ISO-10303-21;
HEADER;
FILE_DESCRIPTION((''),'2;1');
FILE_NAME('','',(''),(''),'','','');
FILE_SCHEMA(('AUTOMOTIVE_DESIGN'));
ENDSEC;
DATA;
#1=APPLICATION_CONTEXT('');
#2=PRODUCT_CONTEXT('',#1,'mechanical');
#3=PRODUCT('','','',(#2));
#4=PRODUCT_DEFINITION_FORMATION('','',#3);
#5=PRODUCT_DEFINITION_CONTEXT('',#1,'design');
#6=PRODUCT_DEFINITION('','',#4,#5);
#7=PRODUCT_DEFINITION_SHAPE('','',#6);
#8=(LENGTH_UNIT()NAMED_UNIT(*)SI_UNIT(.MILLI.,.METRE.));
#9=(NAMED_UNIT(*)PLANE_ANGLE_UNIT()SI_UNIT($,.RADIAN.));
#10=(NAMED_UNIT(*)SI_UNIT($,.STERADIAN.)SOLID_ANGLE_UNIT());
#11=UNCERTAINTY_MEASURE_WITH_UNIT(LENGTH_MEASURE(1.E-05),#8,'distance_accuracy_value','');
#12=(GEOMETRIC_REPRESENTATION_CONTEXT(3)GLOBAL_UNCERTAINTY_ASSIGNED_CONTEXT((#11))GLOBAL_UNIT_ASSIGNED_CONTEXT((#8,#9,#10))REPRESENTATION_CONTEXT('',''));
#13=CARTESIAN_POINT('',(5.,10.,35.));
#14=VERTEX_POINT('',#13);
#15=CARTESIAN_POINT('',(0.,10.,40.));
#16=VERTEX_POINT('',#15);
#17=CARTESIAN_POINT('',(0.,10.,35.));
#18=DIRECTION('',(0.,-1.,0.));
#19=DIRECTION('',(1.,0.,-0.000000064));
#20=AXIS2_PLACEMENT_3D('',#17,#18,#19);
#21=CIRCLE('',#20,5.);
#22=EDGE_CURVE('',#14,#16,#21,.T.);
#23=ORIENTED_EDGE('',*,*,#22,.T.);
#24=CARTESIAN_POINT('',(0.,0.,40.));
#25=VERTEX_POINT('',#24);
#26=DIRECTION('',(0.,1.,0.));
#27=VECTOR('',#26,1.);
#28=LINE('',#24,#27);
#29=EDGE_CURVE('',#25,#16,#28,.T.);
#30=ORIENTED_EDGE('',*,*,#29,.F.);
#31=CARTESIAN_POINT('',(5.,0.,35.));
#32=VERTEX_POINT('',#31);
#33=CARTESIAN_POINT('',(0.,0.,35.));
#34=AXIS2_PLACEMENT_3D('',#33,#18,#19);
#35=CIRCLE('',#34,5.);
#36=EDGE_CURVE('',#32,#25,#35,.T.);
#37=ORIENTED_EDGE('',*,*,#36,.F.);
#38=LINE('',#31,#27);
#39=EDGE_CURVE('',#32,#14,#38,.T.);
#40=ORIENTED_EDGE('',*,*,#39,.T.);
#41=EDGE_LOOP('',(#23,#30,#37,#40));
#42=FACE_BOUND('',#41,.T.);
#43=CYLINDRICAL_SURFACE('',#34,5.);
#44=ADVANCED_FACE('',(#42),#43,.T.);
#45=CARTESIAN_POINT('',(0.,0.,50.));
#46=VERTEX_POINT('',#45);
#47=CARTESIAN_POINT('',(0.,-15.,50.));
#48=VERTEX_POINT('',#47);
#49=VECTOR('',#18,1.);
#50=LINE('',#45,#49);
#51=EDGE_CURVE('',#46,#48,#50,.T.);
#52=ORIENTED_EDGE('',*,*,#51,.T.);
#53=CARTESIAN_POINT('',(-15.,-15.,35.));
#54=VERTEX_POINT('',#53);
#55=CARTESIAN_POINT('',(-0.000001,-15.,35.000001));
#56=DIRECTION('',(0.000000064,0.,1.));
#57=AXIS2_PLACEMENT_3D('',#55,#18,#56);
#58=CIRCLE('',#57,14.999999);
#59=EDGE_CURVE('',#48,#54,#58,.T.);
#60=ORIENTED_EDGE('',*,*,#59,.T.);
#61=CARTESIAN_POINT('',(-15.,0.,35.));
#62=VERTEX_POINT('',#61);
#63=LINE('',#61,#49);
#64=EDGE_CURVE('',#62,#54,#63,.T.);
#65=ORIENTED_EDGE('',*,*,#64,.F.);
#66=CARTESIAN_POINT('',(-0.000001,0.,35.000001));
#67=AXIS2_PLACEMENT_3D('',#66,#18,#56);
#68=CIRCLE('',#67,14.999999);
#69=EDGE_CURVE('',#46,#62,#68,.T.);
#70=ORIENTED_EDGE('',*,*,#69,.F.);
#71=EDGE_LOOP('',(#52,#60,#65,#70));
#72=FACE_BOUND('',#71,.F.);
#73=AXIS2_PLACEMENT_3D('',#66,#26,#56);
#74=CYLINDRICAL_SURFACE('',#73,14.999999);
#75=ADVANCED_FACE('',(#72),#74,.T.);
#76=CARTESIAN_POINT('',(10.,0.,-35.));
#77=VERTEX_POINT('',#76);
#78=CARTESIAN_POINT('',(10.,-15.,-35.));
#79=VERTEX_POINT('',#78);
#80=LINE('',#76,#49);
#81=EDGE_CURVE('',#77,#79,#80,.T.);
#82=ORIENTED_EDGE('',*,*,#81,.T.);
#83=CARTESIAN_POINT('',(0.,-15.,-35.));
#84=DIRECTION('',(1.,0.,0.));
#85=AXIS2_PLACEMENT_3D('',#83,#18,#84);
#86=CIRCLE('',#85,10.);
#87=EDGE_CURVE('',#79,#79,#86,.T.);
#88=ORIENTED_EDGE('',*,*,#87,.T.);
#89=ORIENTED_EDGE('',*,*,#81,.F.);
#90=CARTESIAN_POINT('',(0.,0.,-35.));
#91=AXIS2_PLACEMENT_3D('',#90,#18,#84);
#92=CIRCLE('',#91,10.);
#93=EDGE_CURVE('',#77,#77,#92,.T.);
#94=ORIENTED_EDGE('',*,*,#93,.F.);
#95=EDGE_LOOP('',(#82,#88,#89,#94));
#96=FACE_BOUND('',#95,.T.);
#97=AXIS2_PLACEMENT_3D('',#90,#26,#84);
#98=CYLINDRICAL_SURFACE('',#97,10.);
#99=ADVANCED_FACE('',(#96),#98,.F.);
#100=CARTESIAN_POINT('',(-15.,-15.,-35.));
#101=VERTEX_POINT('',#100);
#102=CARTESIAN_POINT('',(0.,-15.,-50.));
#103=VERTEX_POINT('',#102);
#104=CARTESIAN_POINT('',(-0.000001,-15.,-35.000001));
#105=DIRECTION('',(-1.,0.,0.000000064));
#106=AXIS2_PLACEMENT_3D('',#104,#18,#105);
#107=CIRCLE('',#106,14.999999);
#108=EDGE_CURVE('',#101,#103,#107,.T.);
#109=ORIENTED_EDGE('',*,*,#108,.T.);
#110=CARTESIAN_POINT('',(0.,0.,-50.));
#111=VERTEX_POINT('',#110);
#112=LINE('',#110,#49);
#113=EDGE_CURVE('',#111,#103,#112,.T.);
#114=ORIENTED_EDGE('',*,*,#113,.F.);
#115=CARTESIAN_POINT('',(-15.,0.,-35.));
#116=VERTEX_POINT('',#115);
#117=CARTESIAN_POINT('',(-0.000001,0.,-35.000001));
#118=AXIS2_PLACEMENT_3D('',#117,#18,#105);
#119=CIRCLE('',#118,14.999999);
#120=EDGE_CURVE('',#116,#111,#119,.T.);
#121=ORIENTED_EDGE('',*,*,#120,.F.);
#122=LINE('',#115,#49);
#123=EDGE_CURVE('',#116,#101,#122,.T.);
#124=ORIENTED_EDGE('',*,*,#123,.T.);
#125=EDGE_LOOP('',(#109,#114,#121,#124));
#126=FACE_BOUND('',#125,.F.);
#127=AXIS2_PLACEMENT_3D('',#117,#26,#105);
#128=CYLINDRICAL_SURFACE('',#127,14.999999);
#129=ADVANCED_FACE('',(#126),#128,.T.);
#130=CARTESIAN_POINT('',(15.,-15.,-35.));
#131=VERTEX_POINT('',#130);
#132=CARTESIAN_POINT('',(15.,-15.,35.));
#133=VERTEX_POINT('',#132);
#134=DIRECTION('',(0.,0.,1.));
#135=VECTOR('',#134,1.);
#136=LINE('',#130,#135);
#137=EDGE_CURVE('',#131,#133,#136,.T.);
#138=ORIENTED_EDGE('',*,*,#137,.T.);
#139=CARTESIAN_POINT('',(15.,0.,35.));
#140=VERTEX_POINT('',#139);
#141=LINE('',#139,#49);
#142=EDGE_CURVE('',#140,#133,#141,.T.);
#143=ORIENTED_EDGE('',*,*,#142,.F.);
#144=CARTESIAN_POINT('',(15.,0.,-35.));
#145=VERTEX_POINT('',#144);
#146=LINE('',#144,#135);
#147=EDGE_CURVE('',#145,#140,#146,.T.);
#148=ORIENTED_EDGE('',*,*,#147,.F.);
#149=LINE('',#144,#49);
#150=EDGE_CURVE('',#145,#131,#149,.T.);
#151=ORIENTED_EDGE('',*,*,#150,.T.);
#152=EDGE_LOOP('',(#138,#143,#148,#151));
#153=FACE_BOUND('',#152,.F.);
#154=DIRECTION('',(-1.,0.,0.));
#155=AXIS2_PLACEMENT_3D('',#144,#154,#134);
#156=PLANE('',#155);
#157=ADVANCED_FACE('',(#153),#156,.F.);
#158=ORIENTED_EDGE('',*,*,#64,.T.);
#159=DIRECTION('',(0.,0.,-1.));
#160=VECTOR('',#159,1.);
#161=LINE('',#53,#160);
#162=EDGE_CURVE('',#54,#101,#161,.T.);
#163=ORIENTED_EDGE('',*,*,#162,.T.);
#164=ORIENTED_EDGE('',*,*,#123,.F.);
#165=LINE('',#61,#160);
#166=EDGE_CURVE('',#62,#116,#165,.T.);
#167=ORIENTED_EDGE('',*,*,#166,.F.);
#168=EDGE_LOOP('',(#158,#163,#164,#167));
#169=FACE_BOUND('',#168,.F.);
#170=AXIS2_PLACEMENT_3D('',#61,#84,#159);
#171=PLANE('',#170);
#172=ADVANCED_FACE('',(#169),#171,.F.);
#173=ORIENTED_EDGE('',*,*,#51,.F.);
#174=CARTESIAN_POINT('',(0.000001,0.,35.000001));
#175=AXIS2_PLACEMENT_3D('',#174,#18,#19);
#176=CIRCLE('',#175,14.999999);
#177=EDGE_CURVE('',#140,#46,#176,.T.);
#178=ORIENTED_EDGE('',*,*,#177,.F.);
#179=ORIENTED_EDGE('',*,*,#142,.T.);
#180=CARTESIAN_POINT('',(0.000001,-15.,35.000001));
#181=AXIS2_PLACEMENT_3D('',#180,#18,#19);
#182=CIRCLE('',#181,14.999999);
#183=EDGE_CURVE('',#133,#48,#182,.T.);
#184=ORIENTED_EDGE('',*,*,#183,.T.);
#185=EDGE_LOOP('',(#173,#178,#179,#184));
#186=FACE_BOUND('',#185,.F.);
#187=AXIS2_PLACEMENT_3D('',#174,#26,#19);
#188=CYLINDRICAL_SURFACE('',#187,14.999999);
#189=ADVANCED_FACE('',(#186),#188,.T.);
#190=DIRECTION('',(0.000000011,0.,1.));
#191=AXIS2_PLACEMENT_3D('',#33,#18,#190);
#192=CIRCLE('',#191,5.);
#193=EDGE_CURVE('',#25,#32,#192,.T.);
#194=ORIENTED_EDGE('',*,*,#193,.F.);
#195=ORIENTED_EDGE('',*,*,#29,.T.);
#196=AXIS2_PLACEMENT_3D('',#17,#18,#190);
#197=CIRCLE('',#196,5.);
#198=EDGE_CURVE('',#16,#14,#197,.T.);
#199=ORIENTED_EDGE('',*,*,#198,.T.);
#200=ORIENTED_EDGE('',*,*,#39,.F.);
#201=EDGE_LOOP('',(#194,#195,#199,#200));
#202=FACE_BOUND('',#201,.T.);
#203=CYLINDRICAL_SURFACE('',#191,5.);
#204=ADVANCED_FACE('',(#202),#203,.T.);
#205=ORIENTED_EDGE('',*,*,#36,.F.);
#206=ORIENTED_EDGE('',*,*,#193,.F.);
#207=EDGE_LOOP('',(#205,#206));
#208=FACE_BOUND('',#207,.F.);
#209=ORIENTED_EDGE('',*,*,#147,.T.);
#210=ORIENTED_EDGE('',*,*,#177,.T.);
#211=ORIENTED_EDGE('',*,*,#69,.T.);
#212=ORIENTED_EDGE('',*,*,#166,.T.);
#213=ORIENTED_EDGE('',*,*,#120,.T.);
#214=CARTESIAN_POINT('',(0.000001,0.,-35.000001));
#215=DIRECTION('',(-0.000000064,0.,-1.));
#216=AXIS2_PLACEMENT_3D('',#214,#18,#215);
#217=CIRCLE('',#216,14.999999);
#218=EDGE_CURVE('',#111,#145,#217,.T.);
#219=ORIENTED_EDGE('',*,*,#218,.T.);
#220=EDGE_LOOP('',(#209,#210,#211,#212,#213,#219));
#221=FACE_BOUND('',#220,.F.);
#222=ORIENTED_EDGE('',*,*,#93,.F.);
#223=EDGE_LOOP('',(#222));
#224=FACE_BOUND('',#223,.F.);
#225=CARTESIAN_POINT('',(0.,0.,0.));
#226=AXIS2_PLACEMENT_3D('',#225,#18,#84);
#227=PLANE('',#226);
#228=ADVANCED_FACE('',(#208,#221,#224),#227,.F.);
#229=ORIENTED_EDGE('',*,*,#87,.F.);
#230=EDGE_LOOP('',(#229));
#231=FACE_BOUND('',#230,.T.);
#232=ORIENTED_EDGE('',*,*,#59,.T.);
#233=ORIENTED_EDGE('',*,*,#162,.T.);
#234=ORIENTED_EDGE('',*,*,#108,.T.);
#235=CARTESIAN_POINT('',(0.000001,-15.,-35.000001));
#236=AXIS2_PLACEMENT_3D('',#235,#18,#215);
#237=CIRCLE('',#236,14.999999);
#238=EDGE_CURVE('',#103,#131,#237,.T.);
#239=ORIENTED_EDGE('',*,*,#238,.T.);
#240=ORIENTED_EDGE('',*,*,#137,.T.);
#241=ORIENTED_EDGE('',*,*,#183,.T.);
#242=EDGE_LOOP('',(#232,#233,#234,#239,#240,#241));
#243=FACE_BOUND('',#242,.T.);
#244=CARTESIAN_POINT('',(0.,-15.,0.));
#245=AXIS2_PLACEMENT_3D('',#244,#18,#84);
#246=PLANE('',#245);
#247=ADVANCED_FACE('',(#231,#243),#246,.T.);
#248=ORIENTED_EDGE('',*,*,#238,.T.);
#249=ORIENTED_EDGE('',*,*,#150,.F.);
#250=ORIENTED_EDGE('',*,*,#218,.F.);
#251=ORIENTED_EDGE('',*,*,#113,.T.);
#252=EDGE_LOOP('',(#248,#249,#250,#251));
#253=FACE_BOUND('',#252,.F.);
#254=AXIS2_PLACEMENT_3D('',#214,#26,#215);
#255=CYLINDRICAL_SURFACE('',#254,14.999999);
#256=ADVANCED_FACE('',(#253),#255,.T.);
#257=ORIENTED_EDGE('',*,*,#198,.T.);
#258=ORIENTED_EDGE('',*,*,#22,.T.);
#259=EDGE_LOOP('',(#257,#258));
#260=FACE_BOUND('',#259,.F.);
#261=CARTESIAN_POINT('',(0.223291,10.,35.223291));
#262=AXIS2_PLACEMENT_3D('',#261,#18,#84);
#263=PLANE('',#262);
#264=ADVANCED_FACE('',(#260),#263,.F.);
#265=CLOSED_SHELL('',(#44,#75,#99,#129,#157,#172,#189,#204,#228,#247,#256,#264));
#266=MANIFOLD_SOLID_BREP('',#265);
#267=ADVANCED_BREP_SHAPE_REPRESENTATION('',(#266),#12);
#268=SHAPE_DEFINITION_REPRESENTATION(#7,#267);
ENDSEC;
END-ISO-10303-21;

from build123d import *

# Parameters (mm, degrees)
F0_R     = 10
F1_DEPTH = 15
F3_DEPTH = 10


with BuildPart() as f1:
    # F0 (on Front) → F1 (new body)
    with BuildSketch(Plane.XZ):
        with BuildLine():
            ThreePointArc((0, -50), (10.606602, -45.606602), (15, -35))
            Line((15, -35), (15, 35))
            ThreePointArc((15, 35), (10.606602, 45.606602), (0, 50))
            ThreePointArc((0, 50), (-10.606602, 45.606602), (-15, 35))
            Line((-15, 35), (-15, -35))
            ThreePointArc((-15, -35), (-10.606602, -45.606602), (0, -50))
        make_face()
        with Locations((0, -35)):
            Circle(F0_R, mode=Mode.SUBTRACT)
    extrude(amount=F1_DEPTH)

    # F2 (on Front) → F3 (join)
    with BuildSketch(Plane.XZ):
        with BuildLine():
            ThreePointArc((0, 40), (-3.535534, 31.464466), (5, 35))
            ThreePointArc((5, 35), (3.535534, 38.535534), (0, 40))
        make_face()
    extrude(amount=-F3_DEPTH)


solid = f1.part
